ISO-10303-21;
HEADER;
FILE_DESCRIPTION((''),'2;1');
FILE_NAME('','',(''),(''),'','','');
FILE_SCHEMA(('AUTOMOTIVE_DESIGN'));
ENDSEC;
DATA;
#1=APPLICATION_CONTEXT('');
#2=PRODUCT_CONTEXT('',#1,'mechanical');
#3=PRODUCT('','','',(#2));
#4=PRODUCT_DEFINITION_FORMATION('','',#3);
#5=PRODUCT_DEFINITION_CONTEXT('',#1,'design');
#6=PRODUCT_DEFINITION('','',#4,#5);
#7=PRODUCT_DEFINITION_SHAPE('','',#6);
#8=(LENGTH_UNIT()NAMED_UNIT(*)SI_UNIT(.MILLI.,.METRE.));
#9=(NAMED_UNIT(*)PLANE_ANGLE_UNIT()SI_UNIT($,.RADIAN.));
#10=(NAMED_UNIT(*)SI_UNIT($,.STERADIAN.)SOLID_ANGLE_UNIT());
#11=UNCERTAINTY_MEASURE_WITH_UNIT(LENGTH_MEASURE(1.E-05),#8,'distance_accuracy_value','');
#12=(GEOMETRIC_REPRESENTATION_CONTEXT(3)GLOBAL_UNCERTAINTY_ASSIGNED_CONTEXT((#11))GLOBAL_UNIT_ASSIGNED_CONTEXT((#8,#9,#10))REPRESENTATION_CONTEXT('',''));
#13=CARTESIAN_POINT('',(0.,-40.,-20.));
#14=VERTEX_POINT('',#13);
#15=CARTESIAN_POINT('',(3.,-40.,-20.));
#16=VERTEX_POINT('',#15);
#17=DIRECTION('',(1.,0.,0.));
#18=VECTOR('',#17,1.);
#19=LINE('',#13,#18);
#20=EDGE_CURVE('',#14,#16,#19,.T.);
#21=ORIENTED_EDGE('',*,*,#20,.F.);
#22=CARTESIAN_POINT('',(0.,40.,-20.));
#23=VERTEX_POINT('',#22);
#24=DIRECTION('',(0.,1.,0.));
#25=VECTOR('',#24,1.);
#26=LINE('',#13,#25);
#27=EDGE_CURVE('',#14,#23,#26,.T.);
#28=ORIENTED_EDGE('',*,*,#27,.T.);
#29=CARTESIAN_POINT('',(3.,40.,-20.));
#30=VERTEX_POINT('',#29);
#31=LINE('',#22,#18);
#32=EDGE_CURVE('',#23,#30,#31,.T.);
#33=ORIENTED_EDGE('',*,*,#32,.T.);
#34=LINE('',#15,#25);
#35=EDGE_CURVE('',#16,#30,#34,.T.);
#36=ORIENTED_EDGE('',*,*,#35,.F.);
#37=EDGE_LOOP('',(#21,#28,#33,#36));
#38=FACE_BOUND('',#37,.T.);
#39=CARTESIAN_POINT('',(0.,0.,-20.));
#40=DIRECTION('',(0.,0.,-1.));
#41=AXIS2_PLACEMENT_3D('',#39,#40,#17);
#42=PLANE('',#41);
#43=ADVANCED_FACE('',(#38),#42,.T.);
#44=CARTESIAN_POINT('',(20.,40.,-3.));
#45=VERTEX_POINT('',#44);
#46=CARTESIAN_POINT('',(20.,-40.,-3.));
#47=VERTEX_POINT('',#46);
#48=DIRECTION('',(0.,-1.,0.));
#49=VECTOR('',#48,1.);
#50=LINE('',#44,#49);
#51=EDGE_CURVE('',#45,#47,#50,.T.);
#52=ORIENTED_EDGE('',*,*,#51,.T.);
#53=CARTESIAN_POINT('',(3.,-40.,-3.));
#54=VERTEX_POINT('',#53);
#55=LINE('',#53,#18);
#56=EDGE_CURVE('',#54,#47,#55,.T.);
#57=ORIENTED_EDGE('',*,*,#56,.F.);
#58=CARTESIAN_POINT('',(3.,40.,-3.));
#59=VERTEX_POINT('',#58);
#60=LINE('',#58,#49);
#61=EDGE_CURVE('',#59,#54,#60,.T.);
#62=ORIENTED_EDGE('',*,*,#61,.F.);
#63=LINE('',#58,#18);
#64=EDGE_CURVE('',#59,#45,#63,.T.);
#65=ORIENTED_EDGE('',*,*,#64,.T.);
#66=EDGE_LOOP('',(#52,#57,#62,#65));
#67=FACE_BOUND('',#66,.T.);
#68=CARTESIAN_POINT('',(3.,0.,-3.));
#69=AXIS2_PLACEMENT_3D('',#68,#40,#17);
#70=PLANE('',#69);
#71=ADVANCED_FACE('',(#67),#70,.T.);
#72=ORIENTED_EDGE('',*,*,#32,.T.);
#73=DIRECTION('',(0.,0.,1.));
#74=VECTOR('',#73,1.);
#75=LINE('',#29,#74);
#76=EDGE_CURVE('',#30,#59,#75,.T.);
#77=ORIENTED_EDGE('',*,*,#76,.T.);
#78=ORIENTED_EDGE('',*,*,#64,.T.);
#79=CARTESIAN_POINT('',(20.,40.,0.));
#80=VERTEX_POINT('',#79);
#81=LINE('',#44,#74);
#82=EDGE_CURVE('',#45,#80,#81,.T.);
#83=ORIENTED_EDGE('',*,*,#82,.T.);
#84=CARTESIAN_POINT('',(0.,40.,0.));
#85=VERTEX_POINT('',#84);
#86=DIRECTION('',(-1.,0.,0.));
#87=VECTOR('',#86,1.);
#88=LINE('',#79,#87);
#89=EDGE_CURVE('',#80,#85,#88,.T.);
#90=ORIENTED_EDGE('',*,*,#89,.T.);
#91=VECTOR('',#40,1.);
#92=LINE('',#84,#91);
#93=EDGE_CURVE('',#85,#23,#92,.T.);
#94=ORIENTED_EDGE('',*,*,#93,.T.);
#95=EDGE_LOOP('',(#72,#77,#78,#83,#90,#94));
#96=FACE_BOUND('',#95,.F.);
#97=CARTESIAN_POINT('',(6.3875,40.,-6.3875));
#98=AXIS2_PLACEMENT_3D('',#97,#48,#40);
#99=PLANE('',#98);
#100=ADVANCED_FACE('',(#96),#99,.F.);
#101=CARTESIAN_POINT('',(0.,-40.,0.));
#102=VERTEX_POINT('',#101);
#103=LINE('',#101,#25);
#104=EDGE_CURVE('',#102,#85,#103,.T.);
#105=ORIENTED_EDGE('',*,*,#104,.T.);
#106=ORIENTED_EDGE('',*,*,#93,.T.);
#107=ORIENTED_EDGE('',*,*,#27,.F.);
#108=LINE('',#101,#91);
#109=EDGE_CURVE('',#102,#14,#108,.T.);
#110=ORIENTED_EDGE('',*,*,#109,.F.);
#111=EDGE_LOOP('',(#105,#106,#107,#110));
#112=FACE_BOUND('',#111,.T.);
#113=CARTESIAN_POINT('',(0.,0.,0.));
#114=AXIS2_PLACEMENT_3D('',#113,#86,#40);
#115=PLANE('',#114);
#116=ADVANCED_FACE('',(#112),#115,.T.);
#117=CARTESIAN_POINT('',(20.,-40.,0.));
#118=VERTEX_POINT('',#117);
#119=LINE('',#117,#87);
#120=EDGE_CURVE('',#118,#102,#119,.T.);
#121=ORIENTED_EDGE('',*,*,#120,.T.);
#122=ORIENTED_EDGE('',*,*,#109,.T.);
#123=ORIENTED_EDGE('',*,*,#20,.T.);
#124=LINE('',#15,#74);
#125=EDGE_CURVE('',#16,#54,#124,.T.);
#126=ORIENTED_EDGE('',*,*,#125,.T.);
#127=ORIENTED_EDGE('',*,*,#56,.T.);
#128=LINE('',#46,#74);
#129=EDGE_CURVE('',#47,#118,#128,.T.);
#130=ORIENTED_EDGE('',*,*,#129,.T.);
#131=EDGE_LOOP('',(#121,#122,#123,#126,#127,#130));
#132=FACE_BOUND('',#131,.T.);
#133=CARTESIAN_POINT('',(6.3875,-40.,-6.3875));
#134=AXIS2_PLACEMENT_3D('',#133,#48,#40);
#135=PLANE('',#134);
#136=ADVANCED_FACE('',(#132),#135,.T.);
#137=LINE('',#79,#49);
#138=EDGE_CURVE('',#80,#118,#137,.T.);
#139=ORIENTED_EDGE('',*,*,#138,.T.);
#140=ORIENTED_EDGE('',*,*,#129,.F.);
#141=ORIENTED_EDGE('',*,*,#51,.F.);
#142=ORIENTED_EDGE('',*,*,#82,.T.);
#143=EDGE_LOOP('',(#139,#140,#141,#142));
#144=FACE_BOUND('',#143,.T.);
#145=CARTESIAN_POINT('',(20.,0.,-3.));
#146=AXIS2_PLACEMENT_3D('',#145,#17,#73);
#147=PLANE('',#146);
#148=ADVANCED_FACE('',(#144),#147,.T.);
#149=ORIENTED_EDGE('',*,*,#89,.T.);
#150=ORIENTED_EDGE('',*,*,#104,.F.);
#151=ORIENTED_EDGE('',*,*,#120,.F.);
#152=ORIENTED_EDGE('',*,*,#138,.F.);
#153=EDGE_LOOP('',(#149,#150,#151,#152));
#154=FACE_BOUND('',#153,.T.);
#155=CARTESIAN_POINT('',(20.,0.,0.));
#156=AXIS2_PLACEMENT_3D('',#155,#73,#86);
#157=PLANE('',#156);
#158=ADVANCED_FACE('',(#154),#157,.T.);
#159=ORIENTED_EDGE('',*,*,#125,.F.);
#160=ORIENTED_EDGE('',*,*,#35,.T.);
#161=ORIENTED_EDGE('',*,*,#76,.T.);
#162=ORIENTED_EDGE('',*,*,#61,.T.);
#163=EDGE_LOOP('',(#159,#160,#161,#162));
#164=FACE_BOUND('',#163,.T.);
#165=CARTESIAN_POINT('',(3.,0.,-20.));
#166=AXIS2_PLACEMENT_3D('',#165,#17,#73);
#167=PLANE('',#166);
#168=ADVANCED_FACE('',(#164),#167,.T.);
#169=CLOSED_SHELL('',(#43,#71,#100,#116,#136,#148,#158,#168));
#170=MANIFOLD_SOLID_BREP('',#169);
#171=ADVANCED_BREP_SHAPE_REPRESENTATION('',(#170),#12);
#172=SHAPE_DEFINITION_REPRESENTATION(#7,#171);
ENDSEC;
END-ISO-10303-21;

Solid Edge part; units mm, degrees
sketch "Sketch1" plane through (0, 0, 0) normal (0, -1, 0) x (1, 0, 0)
  line L0 (3, -20) -> (3, -3)
  line L1 (3, -3) -> (20, -3)
  line L2 (20, -3) -> (20, 0)
  line L3 (20, 0) -> (0, 0)
  line L4 (0, 0) -> (0, -20)
  line L5 (0, -20) -> (3, -20)
  dimension "D1" = 20
  dimension "D2" = 3
extrude "ExtrudedProtrusion_1" add sketch "Sketch1" against normal blind 40 and the other way blind 40
